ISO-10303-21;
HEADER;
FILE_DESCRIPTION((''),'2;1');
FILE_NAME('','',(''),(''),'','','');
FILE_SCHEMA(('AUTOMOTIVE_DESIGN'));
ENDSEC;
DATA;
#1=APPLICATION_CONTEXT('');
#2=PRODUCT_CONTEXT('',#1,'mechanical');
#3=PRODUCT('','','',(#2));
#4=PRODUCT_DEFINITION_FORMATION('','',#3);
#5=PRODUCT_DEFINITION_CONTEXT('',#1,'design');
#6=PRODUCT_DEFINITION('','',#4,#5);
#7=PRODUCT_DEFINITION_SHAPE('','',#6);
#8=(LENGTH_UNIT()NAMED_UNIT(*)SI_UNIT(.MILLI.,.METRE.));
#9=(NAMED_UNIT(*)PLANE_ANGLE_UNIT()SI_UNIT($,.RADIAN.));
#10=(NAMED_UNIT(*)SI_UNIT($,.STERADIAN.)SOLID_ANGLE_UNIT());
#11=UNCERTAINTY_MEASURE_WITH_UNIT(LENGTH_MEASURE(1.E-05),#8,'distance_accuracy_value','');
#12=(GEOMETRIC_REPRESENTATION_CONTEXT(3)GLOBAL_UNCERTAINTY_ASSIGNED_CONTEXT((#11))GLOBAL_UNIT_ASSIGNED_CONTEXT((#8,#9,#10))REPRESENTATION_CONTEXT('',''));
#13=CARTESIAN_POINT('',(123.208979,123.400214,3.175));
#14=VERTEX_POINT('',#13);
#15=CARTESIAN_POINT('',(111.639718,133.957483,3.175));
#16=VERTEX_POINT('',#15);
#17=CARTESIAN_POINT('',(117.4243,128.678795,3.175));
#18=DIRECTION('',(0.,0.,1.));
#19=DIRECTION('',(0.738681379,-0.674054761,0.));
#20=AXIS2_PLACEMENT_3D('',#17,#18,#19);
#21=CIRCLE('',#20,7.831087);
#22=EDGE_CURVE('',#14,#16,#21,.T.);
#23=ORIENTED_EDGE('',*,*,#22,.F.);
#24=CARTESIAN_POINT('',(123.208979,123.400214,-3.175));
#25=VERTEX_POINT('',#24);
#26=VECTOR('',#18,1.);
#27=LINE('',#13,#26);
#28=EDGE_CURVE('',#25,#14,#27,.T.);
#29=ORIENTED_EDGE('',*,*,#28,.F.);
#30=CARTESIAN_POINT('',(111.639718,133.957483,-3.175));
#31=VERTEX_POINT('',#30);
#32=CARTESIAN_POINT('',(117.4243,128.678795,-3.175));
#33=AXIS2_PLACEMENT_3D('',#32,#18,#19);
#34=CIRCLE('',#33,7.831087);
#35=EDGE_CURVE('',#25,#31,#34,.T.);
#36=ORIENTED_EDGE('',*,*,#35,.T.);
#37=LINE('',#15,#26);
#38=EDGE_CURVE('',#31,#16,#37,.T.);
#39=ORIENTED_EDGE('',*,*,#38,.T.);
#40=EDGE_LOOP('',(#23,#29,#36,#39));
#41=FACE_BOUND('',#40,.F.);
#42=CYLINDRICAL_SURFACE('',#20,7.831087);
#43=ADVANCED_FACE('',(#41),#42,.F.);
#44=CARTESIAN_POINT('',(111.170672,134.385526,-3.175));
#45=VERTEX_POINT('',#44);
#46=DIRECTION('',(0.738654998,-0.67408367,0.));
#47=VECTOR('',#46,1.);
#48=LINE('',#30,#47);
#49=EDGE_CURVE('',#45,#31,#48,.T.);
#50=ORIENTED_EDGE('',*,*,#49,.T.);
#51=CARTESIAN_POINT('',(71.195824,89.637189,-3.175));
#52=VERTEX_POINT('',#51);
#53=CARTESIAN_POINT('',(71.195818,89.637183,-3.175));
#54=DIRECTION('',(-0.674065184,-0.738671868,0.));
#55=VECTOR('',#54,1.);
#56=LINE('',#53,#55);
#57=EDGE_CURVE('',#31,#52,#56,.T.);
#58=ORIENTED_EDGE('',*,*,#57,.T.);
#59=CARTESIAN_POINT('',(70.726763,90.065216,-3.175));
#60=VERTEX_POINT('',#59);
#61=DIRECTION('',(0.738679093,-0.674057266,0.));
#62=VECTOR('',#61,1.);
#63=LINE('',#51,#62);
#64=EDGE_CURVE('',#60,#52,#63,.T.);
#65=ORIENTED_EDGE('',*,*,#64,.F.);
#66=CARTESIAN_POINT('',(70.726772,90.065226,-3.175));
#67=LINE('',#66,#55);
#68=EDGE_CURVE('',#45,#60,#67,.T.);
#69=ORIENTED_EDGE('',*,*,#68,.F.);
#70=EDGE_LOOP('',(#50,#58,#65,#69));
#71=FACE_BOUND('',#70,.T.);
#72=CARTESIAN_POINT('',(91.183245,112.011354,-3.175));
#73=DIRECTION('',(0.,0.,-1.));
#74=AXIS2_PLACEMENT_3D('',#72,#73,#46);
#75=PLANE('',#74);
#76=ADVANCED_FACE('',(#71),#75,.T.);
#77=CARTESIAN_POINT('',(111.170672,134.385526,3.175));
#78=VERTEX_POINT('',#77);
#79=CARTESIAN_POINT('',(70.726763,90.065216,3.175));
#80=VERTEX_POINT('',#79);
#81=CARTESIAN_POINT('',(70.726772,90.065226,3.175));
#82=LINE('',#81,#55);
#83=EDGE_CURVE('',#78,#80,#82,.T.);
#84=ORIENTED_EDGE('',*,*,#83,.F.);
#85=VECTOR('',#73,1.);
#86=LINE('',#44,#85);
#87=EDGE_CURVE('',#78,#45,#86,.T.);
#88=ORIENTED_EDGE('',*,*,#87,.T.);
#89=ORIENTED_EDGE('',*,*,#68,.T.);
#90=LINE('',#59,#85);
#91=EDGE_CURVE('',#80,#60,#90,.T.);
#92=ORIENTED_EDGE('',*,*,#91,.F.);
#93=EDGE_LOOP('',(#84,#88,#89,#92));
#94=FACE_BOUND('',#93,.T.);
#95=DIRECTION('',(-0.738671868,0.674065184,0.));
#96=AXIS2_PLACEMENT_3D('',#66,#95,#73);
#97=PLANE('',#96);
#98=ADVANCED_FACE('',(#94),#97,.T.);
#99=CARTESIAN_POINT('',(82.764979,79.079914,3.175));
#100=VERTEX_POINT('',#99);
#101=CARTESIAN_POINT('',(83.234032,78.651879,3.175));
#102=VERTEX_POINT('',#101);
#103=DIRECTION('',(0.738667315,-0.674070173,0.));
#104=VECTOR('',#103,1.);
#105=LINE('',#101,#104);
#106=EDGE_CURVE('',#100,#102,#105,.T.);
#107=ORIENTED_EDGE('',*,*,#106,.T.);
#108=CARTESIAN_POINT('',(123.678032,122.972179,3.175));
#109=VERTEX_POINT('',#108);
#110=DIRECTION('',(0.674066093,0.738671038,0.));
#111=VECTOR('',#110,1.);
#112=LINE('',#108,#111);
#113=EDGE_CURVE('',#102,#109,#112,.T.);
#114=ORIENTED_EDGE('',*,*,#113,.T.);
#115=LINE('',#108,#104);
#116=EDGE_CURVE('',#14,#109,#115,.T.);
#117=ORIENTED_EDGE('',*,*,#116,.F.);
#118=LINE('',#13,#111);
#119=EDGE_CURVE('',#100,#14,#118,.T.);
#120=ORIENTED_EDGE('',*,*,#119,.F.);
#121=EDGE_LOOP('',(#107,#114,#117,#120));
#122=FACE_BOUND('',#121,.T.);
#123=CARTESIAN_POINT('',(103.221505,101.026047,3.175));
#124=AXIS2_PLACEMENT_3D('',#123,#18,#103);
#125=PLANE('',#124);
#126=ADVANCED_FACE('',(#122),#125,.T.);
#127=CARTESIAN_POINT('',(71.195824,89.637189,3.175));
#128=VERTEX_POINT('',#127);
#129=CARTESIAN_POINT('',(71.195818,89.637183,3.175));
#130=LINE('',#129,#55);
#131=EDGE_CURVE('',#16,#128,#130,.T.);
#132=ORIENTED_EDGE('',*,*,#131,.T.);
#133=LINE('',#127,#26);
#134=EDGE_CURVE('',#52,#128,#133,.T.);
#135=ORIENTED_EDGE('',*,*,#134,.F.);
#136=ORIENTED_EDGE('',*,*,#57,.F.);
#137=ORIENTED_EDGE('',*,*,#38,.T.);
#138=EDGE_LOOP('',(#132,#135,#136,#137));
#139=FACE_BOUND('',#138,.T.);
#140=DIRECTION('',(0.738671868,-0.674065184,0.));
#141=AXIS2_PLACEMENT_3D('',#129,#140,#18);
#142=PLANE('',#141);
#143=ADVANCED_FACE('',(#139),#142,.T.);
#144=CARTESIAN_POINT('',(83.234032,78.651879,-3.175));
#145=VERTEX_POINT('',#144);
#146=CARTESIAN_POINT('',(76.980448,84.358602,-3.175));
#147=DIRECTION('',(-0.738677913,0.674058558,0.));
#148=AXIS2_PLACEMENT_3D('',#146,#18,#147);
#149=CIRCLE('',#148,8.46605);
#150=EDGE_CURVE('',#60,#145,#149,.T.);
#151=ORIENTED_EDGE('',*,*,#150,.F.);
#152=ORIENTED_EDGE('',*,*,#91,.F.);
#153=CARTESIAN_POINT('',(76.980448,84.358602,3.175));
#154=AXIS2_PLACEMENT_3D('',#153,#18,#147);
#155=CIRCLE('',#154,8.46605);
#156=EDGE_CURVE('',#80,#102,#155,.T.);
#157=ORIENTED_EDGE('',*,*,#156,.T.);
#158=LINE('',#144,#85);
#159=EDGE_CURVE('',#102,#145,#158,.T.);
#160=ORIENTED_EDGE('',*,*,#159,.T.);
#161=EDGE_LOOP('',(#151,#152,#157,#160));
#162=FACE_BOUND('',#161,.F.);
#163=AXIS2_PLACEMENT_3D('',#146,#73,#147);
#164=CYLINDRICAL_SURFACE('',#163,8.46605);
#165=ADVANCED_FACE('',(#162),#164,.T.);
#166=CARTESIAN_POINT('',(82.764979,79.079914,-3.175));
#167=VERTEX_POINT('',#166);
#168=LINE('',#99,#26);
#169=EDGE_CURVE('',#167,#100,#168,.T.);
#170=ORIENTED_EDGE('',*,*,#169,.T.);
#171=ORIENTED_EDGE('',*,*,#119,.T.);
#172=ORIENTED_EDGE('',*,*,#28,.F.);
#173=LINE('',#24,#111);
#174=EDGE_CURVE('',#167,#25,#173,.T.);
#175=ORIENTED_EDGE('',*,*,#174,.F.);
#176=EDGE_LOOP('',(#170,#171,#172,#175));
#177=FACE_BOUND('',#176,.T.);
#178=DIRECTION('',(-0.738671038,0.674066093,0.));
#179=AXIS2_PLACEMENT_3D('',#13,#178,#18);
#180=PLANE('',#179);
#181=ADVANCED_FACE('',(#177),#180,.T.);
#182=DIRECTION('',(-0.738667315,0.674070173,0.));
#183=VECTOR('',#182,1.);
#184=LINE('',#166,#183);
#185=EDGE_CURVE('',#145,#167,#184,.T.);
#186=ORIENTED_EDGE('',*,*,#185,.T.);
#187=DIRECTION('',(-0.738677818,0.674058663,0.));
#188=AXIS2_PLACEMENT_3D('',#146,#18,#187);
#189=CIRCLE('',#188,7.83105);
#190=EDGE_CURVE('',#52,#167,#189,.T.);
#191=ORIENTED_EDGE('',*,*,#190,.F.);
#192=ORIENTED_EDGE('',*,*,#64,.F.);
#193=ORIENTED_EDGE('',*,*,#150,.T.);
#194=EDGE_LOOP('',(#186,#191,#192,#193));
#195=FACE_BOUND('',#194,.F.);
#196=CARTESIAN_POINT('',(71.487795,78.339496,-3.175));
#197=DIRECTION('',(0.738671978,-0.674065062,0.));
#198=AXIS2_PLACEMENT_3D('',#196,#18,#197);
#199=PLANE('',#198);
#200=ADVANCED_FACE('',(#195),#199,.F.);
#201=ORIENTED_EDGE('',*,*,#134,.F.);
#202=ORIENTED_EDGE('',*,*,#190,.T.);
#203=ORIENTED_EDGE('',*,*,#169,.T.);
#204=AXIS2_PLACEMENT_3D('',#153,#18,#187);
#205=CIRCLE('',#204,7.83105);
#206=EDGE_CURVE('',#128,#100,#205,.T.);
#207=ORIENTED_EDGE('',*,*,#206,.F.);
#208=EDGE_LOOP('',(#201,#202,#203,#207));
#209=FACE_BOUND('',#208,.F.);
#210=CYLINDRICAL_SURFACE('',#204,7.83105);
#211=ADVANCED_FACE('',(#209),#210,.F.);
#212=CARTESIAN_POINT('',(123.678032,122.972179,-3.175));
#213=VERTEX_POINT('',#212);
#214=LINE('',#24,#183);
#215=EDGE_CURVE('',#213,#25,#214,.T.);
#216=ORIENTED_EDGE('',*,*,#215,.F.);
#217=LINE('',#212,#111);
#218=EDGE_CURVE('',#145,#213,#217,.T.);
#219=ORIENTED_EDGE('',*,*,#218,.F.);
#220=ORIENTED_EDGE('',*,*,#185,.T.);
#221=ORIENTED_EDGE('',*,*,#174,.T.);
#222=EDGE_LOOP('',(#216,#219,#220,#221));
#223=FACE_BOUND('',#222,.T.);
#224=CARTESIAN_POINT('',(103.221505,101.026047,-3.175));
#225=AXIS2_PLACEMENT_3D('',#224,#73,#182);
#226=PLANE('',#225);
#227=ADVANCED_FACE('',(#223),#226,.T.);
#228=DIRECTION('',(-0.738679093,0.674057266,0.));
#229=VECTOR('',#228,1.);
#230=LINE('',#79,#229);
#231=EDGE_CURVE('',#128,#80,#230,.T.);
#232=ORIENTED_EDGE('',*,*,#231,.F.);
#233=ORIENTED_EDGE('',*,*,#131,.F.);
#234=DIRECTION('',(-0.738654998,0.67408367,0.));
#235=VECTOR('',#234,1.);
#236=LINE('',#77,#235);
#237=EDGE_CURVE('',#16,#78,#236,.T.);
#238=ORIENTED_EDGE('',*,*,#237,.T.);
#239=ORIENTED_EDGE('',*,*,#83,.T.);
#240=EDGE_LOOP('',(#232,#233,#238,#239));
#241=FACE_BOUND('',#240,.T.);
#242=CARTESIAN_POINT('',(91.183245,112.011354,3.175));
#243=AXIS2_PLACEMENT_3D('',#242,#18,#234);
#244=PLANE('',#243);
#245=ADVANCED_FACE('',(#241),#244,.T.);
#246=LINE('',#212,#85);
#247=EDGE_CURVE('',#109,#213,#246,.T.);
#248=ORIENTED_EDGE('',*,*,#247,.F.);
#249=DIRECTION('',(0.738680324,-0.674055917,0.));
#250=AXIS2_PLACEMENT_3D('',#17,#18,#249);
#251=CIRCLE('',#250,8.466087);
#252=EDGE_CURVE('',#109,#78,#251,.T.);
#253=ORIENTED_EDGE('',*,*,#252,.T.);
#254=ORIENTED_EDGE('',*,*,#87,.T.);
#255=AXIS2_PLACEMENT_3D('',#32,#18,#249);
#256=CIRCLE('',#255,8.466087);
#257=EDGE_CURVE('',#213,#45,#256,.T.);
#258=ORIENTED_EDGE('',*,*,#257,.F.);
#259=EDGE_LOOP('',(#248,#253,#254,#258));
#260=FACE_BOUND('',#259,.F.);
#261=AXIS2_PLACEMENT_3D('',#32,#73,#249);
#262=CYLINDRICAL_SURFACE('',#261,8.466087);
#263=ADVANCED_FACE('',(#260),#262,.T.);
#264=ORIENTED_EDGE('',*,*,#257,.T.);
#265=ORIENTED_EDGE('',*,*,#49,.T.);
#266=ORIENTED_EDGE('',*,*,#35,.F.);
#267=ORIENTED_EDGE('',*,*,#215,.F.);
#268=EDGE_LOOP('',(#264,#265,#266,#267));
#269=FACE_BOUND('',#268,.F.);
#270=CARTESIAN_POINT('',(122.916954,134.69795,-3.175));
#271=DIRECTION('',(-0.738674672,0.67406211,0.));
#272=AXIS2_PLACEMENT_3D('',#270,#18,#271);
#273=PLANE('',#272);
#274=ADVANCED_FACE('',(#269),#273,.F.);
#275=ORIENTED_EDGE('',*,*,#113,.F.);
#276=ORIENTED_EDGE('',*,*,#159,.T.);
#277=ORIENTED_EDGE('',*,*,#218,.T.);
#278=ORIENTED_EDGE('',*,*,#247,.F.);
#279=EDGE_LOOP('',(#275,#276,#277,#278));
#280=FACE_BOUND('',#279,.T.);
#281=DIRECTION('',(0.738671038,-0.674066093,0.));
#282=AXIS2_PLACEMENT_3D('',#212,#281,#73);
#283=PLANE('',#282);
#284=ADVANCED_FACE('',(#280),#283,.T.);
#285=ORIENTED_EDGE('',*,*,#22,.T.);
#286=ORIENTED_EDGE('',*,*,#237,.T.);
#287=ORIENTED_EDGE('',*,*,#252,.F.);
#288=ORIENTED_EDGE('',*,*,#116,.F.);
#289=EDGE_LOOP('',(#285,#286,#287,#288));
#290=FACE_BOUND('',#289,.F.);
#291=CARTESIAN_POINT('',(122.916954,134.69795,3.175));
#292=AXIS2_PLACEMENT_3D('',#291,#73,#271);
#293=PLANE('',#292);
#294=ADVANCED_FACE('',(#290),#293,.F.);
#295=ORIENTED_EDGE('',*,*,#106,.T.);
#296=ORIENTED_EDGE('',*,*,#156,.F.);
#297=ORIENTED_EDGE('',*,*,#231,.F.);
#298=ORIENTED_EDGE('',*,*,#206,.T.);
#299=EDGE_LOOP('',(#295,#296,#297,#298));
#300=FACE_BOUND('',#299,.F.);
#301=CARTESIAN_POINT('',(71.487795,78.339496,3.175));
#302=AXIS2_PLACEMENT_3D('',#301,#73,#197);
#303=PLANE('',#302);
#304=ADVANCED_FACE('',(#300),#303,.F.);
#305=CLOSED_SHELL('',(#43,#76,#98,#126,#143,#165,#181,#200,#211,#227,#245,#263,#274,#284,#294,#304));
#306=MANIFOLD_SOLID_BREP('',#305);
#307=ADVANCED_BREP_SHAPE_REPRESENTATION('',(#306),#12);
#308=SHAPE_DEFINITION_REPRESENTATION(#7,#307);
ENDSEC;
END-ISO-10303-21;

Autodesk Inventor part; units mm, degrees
sketch "Sketch Path" plane through (0, 0, 0) normal (0, 0, 1) x (1, 0, 0)
  arc A0 (71.0082, 89.8084) -> (82.9526, 78.9087) centre (76.9804, 84.3586) ccw
  arc A1 (123.3966, 123.229) -> (111.4521, 134.1287) centre (117.4244, 128.6788) ccw
  line L0 (123.3966, 123.229) -> (82.9526, 78.9087)
  line L1 (71.0082, 89.8084) -> (111.4521, 134.1287)
ref_plane "Cross Section Plane" through (82.9526, 78.9087, 0) normal (0.6741, 0.7387, 0) x (0, 0, 1)
ref_plane "Work Plane2" through (76.9804, 84.3586, 0) normal (-1, 0, 0) x (0, 0, 1)
ref_plane "Work Plane3" through (117.4244, 128.6788, 0) normal (-0.8049, -0.5934, 0) x (0, 0, 1)
sketch "Cross Section" plane through (82.9526, 78.9087, 0) normal (0.6741, 0.7387, 0) x (0, 0, 1)
  line L0 (-3.175, 0.381) -> (3.175, 0.381)
  line L1 (3.175, 0.381) -> (3.175, -0.254)
  line L2 (3.175, -0.254) -> (-3.175, -0.254)
  line L3 (-3.175, -0.254) -> (-3.175, 0.381)
  line L4 (-3.175, 0) -> (3.175, 0) construction
  point P0 (0, 0)
  point P1 (0, 0)
  dimension "d0" = 6.35
  dimension "d4" = 0.254
  dimension "d5" = 0.381
sweep "Belt" add profiles "Cross Section" path "Sketch Path"
equation "\"d0\" = da_B"
equation "\"d4\" = da_a"
equation "\"d5\" = da_a2"
equation "\"da_B\" = 6.35"
equation "\"da_pb\" = 2.032"
equation "\"da_L\" = 170.8"
equation "\"da_a\" = 0.254"
equation "\"da_S\" = 1.143"
equation "\"da_Beta\" = 20deg"
equation "\"da_Ht\" = 0.508"
equation "\"da_H\" = 1.143"
equation "\"da_a2\" = 0.381"
properties part number "Synchronous Belt" material "Rubber"
